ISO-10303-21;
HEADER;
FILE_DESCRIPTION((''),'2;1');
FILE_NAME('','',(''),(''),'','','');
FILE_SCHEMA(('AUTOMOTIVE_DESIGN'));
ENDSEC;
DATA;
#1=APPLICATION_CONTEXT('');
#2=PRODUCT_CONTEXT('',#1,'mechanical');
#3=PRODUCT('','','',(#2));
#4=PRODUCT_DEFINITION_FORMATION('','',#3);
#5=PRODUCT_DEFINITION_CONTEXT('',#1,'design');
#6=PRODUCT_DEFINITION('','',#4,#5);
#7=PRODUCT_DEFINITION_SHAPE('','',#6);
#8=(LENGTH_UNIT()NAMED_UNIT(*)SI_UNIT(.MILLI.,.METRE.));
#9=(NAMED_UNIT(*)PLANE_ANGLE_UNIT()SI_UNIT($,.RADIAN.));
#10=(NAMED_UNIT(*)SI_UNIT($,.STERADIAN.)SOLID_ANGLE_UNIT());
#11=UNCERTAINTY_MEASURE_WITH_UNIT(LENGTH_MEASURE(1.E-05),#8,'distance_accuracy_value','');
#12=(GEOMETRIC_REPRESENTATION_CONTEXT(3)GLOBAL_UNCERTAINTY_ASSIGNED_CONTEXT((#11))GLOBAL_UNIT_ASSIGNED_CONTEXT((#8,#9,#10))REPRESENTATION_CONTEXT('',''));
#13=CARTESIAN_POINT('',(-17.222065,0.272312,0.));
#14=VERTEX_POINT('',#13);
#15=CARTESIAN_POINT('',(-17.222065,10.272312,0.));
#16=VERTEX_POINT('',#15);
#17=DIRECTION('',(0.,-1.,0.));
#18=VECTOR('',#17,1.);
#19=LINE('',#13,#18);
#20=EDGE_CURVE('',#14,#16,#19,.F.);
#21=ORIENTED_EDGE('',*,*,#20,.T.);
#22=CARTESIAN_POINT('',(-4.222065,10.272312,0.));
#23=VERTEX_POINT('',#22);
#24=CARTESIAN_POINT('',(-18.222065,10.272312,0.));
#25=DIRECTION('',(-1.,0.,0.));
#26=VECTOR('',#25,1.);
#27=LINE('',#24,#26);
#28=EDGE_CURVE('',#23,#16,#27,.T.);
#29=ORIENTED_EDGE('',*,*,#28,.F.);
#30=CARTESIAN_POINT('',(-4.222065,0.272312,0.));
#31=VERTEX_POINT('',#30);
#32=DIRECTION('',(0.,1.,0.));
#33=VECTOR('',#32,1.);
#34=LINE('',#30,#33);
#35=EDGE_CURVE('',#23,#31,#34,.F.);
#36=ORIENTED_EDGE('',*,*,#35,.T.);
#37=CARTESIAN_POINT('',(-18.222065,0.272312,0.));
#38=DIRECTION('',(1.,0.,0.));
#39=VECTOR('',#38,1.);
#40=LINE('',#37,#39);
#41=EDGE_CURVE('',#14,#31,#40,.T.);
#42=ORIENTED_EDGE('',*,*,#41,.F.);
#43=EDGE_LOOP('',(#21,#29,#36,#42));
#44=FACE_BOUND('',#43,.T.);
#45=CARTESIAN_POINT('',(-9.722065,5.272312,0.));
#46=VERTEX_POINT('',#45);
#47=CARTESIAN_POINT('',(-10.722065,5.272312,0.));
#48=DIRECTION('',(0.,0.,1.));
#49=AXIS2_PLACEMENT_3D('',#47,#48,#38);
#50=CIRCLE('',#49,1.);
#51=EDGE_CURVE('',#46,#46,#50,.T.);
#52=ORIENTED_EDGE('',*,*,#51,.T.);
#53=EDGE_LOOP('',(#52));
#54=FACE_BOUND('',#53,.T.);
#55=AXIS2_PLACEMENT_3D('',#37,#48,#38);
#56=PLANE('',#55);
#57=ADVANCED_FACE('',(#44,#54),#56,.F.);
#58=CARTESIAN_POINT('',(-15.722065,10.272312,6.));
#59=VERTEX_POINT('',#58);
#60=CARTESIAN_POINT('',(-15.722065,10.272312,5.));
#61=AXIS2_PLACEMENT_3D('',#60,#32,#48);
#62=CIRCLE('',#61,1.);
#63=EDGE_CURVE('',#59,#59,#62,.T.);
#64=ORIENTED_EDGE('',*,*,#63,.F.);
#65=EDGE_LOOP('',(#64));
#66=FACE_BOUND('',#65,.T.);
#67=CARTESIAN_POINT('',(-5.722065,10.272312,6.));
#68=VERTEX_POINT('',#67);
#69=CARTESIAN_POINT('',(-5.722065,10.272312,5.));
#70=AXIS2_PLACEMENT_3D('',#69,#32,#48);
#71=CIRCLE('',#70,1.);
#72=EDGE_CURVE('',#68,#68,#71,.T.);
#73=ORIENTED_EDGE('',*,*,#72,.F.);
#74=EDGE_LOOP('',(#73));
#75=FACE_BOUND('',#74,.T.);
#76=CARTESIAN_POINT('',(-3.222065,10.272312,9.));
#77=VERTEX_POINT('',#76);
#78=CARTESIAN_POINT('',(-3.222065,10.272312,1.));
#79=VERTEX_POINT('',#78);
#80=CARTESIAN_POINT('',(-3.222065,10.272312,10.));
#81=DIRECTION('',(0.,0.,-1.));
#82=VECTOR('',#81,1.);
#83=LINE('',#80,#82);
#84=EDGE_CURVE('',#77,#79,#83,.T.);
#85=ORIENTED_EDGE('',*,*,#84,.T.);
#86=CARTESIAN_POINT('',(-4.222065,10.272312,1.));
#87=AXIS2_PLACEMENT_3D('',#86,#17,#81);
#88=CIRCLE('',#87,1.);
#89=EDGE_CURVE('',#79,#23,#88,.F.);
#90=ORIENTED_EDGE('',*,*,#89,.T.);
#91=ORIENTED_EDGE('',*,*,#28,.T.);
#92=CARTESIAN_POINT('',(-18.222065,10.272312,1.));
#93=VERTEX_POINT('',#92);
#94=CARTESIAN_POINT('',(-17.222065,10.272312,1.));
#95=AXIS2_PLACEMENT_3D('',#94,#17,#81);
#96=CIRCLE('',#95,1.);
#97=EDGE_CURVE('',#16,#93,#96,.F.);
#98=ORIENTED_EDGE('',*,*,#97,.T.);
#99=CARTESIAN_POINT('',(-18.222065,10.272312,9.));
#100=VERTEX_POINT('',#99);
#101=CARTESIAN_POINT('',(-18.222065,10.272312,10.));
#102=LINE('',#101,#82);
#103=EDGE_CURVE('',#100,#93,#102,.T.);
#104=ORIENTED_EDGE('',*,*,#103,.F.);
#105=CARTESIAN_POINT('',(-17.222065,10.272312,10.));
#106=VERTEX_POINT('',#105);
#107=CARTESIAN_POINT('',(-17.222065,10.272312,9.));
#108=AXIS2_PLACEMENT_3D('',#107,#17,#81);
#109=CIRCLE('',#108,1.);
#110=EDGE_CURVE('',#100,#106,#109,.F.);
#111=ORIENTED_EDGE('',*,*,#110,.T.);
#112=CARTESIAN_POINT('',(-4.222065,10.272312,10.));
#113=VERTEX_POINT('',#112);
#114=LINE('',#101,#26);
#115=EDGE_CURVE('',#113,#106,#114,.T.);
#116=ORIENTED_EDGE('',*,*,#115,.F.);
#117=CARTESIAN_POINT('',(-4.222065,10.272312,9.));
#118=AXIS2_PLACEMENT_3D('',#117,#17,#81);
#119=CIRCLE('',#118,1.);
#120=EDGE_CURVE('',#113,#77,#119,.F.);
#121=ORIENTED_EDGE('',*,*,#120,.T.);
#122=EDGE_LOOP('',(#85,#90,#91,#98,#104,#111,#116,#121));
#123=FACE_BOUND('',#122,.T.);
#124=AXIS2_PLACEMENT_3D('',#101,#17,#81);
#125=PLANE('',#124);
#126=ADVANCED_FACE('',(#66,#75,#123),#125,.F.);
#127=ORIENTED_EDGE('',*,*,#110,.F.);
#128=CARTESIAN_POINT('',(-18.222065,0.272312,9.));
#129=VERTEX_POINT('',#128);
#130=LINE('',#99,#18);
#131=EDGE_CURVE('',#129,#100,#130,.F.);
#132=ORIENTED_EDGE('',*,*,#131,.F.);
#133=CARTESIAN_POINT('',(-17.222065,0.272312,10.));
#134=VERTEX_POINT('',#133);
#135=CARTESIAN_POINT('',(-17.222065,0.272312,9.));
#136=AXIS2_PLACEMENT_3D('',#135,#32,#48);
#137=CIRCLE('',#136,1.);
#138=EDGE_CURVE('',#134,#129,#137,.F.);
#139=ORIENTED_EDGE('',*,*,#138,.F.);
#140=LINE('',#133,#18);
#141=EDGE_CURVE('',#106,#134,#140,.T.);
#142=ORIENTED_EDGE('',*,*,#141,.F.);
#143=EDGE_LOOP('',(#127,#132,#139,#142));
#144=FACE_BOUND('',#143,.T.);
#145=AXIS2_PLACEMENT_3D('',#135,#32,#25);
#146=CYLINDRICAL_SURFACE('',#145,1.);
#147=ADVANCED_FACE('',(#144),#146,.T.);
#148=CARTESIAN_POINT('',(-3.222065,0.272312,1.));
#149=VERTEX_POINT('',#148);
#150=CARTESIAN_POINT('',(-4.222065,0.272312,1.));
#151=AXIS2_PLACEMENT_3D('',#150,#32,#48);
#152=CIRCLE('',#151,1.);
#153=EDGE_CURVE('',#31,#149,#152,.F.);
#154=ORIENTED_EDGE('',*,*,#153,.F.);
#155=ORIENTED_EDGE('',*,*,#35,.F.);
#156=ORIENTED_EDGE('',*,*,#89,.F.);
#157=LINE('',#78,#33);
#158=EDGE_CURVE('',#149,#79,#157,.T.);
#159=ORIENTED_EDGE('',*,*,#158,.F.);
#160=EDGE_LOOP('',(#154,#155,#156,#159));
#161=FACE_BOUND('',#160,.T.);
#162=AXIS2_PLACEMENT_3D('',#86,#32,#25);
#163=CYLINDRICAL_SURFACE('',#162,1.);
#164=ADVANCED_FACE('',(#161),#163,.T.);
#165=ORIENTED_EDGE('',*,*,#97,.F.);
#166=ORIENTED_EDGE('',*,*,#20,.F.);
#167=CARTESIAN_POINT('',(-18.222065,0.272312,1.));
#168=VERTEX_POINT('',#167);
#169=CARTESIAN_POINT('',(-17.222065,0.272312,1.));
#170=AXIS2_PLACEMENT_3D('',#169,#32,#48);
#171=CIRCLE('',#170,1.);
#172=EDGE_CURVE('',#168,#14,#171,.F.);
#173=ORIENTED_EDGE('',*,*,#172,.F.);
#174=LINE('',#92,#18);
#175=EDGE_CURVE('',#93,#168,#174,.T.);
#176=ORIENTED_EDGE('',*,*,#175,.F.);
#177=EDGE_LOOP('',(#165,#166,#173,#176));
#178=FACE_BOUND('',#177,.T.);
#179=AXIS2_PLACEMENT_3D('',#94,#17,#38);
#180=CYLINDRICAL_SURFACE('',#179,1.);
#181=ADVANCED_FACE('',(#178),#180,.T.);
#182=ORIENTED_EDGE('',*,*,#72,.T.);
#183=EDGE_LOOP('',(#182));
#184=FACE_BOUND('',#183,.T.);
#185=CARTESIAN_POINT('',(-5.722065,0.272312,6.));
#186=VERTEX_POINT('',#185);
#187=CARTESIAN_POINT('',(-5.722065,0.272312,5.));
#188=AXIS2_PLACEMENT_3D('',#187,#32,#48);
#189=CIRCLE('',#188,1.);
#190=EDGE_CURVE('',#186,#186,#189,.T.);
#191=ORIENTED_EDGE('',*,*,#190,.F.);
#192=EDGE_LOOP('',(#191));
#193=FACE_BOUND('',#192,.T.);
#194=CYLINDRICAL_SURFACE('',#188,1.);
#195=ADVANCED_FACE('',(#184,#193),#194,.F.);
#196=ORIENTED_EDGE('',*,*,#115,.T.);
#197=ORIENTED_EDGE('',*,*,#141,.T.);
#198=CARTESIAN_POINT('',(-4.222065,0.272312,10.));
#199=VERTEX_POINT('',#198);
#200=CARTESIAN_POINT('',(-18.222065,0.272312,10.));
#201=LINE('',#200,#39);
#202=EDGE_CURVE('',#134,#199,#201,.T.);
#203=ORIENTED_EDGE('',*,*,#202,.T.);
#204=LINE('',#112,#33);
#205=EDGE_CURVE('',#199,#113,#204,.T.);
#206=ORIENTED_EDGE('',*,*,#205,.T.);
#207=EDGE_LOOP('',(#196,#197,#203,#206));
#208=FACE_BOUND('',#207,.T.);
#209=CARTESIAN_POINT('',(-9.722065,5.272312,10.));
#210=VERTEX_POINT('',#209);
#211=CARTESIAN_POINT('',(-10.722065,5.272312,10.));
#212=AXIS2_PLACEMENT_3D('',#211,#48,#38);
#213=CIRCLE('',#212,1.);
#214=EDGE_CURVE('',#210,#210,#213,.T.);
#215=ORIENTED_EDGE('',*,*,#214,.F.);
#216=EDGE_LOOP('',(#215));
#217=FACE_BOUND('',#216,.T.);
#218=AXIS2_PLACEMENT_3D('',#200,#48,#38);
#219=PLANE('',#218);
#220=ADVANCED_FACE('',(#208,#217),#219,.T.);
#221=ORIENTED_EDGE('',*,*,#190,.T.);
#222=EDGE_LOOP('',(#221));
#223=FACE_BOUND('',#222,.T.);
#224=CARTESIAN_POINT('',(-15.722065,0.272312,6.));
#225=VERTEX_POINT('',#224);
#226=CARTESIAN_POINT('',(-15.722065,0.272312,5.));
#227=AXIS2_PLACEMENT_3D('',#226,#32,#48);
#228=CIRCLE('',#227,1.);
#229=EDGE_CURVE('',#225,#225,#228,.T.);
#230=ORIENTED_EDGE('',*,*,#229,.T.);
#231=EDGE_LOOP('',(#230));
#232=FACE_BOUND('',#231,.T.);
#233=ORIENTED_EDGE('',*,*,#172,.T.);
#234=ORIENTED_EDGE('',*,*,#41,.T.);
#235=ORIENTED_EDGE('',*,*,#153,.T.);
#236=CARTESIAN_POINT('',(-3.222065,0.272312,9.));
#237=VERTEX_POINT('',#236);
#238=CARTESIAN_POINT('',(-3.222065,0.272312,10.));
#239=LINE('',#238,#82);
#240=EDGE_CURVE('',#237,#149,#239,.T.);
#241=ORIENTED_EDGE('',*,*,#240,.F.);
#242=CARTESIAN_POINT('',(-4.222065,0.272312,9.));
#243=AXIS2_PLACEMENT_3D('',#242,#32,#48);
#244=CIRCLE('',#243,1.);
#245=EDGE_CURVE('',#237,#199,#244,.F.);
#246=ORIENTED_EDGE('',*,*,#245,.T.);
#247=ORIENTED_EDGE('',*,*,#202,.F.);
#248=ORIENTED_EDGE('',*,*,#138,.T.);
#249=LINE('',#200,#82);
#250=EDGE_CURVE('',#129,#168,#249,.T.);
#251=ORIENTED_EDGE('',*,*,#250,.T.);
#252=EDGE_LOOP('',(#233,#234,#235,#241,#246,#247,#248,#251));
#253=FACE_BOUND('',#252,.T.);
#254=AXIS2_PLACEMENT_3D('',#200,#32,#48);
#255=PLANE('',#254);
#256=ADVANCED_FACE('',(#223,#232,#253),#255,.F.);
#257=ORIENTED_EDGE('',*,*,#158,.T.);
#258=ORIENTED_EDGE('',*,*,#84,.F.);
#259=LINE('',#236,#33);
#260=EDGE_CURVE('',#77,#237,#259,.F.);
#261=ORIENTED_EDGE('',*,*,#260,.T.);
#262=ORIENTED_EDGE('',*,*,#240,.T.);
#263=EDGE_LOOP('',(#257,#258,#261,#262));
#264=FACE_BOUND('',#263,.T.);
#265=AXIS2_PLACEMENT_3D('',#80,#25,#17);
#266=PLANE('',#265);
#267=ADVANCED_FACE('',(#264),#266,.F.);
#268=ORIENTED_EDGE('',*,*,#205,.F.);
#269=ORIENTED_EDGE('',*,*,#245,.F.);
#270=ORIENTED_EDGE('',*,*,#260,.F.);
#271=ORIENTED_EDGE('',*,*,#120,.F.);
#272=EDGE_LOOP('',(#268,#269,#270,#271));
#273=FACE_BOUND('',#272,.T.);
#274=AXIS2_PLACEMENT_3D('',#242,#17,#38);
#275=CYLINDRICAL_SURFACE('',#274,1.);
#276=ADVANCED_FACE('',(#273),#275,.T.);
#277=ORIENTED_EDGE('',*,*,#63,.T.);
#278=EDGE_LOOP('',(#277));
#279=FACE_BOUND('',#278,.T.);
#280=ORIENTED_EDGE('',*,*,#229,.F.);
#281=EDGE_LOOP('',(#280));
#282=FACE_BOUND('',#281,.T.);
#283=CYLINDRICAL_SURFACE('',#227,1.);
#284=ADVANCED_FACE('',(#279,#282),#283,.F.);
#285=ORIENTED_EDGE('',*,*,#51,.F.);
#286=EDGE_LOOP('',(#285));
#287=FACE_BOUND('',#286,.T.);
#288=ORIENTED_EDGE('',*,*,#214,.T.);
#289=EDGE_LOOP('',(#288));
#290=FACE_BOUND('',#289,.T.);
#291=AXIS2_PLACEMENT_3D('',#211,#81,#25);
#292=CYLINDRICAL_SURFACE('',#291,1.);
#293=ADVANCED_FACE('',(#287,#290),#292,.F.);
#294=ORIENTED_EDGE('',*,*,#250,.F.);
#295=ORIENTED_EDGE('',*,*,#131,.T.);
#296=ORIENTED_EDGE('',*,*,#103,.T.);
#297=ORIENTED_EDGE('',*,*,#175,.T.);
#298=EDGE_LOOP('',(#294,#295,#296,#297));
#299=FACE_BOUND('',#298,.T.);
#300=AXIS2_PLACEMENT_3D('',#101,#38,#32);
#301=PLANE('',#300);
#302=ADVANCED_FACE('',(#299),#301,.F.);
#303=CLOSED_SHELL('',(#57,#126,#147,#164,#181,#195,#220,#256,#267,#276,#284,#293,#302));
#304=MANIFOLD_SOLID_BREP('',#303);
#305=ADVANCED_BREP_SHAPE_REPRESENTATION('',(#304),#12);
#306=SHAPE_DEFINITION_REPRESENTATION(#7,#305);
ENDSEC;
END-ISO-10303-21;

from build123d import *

# Parameters (mm, degrees)
CROQUIS1_W              = 15
CROQUIS1_H              = 10
CROQUIS1_R              = 1
SALIENTE_EXTRUIR1_DEPTH = 10
CROQUIS2_R              = 1
CORTAR_EXTRUIR1_DEPTH   = 10
REDONDEO1_R             = 1


with BuildPart() as part:
    # Croquis1 → Saliente-Extruir1 (new body)
    with BuildSketch(Plane.XY):
        with Locations((-10.722064782, 5.272312164)):
            Rectangle(CROQUIS1_W, CROQUIS1_H)
        with Locations((-10.722064782, 5.272312164)):
            Circle(CROQUIS1_R, mode=Mode.SUBTRACT)
    extrude(amount=SALIENTE_EXTRUIR1_DEPTH)

    # Croquis2 → Cortar-Extruir1 (cut)
    with BuildSketch(Plane(origin=(0, 10.272312164, 0), x_dir=(-1, 0, 0), z_dir=(0, 1, 0))):
        with Locations(Location((15.722064782, 5, 0), (0, 0, 90))):
            Circle(CROQUIS2_R)
        with Locations(Location((5.722064782, 5, 0), (0, 0, 90))):
            Circle(CROQUIS2_R)
    extrude(amount=-CORTAR_EXTRUIR1_DEPTH, mode=Mode.SUBTRACT)

    # Redondeo1
    redondeo1_edges = [part.edges().sort_by_distance(p)[0] for p in [
        (-3.222064782, 5.272312164, 10),
        (-18.222064782, 5.272312164, 10),
        (-3.222064782, 5.272312164, 0),
        (-18.222064782, 5.272312164, 0),
    ]]
    fillet(redondeo1_edges, radius=REDONDEO1_R)


solid = part.part
